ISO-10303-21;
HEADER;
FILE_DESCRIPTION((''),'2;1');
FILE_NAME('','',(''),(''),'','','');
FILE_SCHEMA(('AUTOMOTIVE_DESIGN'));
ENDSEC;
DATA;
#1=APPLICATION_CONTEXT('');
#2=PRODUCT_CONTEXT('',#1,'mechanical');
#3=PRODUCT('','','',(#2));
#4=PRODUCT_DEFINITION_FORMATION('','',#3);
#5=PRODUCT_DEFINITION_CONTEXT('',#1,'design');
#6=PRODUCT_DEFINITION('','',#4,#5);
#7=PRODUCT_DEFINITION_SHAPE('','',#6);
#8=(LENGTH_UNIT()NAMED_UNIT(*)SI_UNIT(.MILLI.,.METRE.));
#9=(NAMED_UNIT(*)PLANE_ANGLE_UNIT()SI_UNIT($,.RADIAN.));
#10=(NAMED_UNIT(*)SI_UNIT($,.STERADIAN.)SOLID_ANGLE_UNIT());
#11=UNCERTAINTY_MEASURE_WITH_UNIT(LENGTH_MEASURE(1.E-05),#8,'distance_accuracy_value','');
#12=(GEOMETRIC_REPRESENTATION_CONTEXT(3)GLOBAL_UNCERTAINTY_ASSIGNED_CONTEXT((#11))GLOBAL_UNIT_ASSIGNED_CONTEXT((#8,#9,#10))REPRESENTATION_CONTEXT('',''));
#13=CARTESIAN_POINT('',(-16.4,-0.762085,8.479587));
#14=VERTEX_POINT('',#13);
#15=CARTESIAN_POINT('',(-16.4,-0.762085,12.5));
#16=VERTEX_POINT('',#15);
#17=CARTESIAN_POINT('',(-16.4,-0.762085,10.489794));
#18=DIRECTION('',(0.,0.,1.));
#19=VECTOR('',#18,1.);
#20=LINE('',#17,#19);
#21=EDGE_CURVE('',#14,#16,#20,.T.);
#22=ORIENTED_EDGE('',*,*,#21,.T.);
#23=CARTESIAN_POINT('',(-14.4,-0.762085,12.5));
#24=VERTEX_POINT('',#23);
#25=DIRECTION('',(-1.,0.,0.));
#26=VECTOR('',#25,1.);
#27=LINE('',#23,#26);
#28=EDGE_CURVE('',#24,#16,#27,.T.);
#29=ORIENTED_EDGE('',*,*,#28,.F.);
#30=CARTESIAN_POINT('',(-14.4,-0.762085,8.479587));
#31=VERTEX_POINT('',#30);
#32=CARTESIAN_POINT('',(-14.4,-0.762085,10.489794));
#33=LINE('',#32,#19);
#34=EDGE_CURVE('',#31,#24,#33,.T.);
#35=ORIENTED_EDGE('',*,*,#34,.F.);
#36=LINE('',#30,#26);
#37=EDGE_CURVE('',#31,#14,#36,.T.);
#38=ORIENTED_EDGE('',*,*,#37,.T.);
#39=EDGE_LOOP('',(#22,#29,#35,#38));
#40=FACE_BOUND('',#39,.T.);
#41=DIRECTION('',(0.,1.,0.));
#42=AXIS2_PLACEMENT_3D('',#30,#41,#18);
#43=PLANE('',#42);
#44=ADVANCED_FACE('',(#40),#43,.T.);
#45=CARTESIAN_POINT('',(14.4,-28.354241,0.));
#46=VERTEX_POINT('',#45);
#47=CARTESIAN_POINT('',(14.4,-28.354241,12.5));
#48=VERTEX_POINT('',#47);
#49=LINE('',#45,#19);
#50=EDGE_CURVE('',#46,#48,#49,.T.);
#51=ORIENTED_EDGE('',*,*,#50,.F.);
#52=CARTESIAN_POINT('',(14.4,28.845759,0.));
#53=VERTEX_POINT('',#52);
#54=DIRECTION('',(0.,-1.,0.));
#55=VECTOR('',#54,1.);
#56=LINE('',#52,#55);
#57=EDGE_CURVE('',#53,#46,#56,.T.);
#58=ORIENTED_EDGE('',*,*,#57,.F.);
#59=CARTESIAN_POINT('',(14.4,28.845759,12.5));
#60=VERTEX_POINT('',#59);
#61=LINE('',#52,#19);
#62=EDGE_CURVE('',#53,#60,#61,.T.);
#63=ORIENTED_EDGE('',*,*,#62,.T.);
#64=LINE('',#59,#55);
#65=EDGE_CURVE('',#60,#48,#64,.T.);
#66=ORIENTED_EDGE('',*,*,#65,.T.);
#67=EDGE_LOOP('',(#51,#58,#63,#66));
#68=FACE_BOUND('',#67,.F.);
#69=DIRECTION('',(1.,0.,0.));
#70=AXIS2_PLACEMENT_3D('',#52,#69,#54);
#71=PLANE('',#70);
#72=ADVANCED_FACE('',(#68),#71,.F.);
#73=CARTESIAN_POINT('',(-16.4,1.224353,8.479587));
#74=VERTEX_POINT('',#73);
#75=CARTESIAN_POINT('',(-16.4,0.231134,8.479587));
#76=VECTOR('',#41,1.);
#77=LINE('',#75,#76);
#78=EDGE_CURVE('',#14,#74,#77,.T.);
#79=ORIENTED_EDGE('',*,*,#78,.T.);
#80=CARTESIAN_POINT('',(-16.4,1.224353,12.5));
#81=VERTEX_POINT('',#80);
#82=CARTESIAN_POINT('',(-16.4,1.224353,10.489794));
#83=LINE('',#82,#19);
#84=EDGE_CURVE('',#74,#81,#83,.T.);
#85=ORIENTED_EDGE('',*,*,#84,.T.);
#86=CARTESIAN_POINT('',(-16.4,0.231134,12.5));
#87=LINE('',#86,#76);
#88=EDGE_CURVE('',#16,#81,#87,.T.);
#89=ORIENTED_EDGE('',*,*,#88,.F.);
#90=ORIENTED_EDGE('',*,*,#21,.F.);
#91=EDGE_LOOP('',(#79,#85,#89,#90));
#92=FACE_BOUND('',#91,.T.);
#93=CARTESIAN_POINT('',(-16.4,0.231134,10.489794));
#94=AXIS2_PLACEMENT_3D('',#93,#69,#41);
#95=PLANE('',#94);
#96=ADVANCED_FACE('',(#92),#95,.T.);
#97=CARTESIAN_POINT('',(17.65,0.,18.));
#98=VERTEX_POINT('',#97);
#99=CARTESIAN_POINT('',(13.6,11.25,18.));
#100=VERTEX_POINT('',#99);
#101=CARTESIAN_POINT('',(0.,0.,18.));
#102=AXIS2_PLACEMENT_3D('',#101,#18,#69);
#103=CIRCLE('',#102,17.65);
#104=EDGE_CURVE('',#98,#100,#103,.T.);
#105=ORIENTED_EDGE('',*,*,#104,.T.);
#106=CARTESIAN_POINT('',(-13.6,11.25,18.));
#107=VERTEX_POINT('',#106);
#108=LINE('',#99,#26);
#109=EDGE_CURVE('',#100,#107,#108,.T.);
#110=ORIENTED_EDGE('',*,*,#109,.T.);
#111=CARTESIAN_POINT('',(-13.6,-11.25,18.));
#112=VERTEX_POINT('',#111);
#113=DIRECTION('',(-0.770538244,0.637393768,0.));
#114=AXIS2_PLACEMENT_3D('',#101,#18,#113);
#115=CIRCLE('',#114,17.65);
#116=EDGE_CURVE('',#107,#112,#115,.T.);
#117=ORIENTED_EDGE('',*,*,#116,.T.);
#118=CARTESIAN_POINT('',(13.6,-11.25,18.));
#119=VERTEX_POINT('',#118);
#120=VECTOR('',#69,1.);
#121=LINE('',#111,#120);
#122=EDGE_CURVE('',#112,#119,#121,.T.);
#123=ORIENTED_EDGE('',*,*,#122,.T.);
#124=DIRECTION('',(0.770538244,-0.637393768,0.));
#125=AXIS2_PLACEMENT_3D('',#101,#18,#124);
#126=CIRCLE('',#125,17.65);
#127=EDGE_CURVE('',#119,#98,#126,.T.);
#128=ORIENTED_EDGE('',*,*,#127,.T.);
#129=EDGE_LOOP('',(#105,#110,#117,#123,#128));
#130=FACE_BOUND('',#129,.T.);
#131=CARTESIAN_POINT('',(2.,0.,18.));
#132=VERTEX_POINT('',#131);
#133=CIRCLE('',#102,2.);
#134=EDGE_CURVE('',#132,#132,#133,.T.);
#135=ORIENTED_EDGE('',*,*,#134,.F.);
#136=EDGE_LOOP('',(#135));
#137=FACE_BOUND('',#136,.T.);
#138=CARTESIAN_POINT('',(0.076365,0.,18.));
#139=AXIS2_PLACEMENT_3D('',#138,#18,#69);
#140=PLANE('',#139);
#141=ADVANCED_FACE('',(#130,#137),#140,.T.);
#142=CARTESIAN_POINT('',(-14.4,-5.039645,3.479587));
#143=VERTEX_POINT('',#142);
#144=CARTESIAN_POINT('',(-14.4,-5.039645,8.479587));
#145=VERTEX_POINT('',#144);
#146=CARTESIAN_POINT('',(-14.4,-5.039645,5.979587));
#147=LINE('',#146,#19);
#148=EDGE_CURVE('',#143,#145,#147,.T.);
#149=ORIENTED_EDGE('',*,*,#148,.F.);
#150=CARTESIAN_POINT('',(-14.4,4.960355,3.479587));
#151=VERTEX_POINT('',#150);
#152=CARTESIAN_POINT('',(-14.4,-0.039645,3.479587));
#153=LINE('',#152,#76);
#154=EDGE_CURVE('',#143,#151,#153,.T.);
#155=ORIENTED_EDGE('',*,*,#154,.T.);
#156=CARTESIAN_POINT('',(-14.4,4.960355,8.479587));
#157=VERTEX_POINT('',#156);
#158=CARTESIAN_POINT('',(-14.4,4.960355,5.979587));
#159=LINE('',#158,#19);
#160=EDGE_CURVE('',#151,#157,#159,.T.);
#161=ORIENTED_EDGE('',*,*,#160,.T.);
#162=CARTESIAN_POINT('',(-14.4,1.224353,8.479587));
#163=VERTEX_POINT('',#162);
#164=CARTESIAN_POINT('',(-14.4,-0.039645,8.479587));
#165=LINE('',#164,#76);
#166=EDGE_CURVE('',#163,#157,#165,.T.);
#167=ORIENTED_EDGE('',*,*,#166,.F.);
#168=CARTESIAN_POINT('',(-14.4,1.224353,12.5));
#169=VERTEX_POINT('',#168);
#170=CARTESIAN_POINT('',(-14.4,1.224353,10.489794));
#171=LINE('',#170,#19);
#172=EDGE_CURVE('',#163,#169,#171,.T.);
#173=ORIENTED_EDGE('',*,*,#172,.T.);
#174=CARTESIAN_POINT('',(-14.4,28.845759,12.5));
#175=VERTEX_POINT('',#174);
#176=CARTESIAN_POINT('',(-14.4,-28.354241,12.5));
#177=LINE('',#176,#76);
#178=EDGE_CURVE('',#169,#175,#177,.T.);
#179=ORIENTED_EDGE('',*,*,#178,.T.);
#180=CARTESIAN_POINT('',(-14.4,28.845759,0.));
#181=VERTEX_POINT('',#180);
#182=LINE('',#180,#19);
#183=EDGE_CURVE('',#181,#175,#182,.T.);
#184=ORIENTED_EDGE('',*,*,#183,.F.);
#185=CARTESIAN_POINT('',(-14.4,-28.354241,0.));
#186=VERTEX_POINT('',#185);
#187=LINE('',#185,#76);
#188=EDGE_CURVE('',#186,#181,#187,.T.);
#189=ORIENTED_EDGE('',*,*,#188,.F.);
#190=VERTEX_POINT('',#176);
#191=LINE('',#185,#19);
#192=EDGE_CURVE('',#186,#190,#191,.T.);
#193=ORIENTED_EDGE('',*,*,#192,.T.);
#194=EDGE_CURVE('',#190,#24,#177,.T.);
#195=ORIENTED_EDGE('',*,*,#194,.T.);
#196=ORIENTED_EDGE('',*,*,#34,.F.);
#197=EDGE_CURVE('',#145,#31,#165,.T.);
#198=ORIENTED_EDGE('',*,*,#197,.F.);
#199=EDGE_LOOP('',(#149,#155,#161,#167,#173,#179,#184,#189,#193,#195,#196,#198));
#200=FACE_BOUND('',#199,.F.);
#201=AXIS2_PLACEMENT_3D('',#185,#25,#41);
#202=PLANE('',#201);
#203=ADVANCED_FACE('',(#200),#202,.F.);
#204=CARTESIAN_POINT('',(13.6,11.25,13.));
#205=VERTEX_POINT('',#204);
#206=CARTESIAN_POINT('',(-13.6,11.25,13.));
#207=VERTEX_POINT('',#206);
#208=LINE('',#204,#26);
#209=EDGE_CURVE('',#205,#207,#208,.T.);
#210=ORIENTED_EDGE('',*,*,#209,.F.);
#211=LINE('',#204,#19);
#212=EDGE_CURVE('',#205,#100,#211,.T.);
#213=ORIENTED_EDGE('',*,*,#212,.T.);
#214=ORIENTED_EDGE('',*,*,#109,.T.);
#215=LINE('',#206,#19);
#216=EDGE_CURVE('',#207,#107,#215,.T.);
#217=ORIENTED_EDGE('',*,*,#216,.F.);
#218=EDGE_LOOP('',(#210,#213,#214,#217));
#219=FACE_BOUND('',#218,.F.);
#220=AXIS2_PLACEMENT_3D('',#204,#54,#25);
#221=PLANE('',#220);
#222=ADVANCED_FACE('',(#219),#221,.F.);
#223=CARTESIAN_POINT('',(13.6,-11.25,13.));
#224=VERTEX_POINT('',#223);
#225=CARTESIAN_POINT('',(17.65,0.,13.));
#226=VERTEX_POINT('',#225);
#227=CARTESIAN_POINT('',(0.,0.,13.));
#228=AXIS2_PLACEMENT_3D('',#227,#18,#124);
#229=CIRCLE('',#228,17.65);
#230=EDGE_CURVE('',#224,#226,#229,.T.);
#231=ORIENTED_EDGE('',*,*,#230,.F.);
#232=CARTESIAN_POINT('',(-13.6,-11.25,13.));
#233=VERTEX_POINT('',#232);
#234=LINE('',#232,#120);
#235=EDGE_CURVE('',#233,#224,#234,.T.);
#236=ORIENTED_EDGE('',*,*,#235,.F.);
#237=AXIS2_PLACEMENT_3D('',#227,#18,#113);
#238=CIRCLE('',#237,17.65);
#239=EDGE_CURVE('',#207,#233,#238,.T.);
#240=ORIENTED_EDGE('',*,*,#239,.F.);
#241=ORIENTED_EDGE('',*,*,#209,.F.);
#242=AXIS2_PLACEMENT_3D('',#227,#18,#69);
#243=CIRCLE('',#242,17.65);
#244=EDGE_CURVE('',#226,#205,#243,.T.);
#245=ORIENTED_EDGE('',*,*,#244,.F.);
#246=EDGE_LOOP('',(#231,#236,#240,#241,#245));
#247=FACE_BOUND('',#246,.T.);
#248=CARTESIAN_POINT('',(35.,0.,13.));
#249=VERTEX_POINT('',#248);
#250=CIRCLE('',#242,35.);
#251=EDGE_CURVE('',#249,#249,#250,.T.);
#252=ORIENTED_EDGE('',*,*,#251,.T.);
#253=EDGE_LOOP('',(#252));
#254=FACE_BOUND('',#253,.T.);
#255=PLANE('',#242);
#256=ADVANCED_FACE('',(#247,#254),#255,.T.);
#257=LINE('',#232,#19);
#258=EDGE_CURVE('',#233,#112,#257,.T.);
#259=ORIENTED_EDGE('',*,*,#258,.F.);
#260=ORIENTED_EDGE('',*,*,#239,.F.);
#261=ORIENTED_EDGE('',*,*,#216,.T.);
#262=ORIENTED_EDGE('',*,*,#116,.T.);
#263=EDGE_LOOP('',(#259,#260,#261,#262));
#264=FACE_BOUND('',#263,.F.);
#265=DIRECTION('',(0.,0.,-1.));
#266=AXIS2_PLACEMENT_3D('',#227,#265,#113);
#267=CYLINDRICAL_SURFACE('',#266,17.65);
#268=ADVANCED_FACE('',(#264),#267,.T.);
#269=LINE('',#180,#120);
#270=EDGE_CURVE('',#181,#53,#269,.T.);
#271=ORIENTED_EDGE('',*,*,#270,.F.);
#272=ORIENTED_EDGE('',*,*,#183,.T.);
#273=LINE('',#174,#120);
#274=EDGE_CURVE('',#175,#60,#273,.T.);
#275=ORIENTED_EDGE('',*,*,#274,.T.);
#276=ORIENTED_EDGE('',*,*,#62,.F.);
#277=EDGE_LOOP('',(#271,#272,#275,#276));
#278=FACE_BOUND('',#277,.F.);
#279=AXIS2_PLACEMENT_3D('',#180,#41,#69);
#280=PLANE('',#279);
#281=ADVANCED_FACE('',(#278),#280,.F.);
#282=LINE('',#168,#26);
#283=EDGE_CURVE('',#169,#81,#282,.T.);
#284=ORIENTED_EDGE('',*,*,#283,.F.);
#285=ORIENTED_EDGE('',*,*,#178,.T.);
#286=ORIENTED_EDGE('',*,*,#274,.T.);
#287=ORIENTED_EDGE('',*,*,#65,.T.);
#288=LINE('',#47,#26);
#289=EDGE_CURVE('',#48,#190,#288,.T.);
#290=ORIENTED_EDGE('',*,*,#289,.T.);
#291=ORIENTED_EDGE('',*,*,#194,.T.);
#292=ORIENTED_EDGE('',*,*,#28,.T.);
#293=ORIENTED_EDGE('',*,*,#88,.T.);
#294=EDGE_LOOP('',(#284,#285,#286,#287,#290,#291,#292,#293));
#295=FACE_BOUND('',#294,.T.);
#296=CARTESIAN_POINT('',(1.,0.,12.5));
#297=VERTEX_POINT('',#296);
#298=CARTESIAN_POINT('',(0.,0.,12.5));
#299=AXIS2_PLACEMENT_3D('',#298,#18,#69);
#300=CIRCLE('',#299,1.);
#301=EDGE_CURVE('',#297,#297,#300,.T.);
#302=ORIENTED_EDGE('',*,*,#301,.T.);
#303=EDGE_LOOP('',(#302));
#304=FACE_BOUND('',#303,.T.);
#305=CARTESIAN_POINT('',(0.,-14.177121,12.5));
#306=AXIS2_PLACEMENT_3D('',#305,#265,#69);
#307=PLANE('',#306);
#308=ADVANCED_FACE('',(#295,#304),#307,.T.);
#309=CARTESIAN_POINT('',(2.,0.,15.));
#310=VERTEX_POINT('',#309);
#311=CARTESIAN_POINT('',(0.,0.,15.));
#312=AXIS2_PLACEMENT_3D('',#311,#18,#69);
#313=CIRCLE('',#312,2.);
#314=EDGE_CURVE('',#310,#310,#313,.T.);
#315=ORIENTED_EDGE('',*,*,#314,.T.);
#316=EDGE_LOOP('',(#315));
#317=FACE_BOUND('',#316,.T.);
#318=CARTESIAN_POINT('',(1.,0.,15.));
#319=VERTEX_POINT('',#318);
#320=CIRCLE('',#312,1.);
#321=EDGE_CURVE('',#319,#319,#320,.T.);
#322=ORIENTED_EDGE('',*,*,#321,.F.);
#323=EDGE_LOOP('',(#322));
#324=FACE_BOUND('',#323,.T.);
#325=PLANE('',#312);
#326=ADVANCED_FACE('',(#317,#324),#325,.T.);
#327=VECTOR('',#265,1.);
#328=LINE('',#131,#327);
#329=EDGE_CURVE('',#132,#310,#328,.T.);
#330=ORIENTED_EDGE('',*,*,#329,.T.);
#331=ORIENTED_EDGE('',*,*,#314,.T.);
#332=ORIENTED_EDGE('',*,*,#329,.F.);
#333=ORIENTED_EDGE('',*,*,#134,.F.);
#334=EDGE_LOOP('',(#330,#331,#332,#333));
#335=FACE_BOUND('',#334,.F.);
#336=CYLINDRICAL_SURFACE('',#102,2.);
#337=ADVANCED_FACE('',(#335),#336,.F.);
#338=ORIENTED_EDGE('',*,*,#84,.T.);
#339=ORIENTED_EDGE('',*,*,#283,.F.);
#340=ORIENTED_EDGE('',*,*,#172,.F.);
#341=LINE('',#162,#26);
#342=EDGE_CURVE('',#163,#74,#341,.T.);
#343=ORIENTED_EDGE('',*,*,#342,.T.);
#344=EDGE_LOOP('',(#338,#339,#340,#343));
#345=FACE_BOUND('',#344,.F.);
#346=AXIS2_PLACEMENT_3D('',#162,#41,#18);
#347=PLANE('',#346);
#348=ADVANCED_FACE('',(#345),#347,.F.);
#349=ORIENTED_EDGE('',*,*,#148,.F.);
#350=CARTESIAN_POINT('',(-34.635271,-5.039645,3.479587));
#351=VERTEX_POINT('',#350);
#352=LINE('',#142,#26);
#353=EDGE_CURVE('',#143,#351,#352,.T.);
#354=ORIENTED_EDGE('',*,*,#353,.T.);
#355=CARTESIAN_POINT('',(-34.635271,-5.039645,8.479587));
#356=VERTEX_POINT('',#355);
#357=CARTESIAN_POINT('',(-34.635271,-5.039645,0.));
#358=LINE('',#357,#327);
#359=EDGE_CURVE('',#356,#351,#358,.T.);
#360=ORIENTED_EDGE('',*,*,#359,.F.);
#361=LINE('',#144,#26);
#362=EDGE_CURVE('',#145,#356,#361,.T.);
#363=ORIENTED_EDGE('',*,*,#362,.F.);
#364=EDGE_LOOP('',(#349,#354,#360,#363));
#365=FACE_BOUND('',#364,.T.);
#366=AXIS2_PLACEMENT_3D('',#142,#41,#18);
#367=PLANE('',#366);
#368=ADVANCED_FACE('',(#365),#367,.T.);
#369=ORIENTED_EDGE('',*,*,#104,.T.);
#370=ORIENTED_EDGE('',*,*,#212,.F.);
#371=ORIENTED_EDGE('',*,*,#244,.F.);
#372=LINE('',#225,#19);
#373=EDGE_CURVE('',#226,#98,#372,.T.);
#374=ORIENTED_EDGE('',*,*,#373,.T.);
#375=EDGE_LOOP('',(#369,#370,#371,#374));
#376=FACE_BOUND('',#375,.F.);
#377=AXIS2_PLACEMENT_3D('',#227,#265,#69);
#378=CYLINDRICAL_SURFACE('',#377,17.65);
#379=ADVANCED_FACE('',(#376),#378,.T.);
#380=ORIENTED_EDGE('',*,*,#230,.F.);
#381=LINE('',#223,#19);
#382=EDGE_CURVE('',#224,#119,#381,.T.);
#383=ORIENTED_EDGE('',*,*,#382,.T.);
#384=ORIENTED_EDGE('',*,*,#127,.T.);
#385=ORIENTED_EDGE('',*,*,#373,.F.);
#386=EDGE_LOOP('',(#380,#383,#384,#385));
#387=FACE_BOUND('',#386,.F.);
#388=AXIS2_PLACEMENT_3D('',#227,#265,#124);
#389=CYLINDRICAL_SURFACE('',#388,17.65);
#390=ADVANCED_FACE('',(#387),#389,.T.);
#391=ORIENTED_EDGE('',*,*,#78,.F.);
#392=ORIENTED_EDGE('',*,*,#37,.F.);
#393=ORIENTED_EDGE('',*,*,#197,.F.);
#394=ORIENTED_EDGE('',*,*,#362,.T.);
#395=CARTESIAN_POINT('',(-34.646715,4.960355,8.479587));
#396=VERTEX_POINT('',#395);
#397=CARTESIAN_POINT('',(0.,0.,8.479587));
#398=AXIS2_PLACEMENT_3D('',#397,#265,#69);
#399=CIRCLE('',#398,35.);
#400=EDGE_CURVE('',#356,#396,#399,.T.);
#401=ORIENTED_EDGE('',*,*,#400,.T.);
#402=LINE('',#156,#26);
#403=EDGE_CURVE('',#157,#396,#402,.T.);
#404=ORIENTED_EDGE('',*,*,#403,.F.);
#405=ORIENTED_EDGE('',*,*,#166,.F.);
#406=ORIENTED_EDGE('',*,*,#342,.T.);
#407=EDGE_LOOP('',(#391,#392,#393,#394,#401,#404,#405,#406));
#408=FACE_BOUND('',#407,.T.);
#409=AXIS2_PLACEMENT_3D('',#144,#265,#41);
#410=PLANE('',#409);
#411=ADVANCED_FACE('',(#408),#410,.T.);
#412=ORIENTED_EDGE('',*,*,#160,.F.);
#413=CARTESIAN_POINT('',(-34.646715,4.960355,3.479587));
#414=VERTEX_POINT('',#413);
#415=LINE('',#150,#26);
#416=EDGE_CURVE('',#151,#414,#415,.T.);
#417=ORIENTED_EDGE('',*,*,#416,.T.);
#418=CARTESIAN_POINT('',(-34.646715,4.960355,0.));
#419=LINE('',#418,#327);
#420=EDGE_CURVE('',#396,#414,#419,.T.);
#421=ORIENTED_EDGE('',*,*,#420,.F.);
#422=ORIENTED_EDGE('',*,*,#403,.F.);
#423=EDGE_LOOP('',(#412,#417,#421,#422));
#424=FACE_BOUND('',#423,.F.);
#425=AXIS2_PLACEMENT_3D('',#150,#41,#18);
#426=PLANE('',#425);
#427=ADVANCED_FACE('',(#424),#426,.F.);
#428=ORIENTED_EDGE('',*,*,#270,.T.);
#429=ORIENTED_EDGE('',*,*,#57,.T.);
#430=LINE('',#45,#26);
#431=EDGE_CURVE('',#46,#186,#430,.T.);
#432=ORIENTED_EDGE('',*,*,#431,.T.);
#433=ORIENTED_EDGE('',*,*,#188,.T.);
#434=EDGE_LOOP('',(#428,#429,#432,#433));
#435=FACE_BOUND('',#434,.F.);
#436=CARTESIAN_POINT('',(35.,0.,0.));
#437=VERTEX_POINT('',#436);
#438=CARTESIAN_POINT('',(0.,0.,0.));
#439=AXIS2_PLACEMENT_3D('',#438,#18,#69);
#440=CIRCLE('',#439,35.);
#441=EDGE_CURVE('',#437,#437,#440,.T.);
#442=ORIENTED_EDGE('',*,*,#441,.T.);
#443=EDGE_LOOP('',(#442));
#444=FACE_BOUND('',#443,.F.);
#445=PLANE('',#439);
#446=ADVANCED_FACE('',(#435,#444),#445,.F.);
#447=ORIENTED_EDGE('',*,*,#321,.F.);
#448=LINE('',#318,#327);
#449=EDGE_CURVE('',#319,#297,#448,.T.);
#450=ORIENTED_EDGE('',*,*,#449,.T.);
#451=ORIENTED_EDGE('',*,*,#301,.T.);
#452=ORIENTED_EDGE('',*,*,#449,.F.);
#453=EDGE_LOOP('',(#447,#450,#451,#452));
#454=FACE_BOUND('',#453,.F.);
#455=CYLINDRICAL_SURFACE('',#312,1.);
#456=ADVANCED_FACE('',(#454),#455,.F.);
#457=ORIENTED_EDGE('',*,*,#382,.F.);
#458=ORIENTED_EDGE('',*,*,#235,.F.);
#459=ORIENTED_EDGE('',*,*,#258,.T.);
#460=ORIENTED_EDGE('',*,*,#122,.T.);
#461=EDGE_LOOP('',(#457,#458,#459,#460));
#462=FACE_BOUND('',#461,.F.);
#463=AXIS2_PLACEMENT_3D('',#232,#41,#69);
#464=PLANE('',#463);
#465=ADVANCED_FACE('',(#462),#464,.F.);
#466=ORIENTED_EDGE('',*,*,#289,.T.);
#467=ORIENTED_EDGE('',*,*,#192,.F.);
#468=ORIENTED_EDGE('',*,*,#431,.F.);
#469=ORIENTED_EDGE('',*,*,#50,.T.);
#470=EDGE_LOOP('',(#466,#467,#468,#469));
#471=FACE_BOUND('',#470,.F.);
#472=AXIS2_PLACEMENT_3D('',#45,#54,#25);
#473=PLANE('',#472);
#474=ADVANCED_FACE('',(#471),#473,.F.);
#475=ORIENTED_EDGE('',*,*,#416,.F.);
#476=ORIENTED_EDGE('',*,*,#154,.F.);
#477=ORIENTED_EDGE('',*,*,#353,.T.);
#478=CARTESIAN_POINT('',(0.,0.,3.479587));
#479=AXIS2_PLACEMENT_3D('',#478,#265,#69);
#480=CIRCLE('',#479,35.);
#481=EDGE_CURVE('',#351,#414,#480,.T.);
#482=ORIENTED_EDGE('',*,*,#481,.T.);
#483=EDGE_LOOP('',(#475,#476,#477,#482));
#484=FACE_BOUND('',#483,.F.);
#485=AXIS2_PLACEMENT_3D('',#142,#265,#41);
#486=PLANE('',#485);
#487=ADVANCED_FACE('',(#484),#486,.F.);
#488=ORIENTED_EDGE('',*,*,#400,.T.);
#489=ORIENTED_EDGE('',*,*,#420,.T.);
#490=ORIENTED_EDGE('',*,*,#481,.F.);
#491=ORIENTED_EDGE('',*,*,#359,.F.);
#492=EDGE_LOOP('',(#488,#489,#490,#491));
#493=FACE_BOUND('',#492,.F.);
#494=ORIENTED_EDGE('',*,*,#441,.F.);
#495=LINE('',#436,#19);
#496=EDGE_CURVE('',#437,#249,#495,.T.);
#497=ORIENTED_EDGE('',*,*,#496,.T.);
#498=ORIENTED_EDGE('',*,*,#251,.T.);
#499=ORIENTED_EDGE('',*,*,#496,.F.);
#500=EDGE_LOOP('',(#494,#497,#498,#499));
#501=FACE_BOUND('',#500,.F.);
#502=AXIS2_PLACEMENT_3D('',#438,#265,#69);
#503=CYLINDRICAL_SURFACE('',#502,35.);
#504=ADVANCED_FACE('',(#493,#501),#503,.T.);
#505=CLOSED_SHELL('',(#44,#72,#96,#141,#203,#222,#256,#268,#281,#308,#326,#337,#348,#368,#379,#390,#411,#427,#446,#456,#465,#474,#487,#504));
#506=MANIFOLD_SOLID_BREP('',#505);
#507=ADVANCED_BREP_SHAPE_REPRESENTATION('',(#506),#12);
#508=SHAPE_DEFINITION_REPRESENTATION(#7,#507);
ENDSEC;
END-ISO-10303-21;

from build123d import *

# Parameters (mm, degrees)
F0_R      = 35
F1_DEPTH  = 13
F3_DEPTH  = 12.5
F5_DEPTH  = 5
F6_R      = 2
F7_DEPTH  = 3
F8_R      = 1
F9_DEPTH  = 25
F10_W     = 10
F10_H     = 5
F11_DEPTH = 25
F12_W     = 1.986437419
F12_H     = 4.0204126202
F13_DEPTH = 2


with BuildPart() as f1:
    # F0 (on Top) → F1 (new body)
    with BuildSketch(Plane.XY):
        Circle(F0_R)
    extrude(amount=F1_DEPTH)

    # F2 (on face) → F3 (cut)
    with BuildSketch(Plane(origin=(0, 0, 0), x_dir=(1, 0, 0), z_dir=(0, 0, -1))):
        Polygon((14.4, 28.3542412236), (-14.4, 28.3542412236), (-14.4, 0), (0, 0), (14.4, 0), align=None)
        Polygon((0, 0), (-14.4, 0), (-14.4, -28.8457587764), (14.4, -28.8457587764), (14.4, 0), align=None)
    extrude(amount=-F3_DEPTH, mode=Mode.SUBTRACT)

    # F4 (on face) → F5 (join)
    with BuildSketch(Plane.XY.offset(13)):
        with BuildLine():
            ThreePointArc((13.6, -11.25), (16.6066628195, -5.978398615), (17.65, 0))
            ThreePointArc((17.65, 0), (16.6066628195, 5.978398615), (13.6, 11.25))
            Line((13.6, 11.25), (-13.6, 11.25))
            ThreePointArc((-13.6, 11.25), (-17.65, 0), (-13.6, -11.25))
            Line((-13.6, -11.25), (0, -11.25))
            Line((0, -11.25), (13.6, -11.25))
        make_face()
    extrude(amount=F5_DEPTH)

    # F6 (on face) → F7 (cut)
    with BuildSketch(Plane.XY.offset(18)):
        Circle(F6_R)
    extrude(amount=-F7_DEPTH, mode=Mode.SUBTRACT)

    # F8 (on face) → F9 (cut)
    with BuildSketch(Plane.XY.offset(15)):
        Circle(F8_R)
    extrude(amount=-F9_DEPTH, mode=Mode.SUBTRACT)

    # F10 (on face) → F11 (cut)
    with BuildSketch(Plane.YZ.offset(-14.4)):
        with Locations((-0.0396446604, 5.9795873798)):
            Rectangle(F10_W, F10_H)
    extrude(amount=-F11_DEPTH, mode=Mode.SUBTRACT)

    # F12 (on face) → F13 (cut)
    with BuildSketch(Plane.YZ.offset(-14.4)):
        with Locations((0.2311340359, 10.4897936899)):
            Rectangle(F12_W, F12_H)
    extrude(amount=-F13_DEPTH, mode=Mode.SUBTRACT)


solid = f1.part
